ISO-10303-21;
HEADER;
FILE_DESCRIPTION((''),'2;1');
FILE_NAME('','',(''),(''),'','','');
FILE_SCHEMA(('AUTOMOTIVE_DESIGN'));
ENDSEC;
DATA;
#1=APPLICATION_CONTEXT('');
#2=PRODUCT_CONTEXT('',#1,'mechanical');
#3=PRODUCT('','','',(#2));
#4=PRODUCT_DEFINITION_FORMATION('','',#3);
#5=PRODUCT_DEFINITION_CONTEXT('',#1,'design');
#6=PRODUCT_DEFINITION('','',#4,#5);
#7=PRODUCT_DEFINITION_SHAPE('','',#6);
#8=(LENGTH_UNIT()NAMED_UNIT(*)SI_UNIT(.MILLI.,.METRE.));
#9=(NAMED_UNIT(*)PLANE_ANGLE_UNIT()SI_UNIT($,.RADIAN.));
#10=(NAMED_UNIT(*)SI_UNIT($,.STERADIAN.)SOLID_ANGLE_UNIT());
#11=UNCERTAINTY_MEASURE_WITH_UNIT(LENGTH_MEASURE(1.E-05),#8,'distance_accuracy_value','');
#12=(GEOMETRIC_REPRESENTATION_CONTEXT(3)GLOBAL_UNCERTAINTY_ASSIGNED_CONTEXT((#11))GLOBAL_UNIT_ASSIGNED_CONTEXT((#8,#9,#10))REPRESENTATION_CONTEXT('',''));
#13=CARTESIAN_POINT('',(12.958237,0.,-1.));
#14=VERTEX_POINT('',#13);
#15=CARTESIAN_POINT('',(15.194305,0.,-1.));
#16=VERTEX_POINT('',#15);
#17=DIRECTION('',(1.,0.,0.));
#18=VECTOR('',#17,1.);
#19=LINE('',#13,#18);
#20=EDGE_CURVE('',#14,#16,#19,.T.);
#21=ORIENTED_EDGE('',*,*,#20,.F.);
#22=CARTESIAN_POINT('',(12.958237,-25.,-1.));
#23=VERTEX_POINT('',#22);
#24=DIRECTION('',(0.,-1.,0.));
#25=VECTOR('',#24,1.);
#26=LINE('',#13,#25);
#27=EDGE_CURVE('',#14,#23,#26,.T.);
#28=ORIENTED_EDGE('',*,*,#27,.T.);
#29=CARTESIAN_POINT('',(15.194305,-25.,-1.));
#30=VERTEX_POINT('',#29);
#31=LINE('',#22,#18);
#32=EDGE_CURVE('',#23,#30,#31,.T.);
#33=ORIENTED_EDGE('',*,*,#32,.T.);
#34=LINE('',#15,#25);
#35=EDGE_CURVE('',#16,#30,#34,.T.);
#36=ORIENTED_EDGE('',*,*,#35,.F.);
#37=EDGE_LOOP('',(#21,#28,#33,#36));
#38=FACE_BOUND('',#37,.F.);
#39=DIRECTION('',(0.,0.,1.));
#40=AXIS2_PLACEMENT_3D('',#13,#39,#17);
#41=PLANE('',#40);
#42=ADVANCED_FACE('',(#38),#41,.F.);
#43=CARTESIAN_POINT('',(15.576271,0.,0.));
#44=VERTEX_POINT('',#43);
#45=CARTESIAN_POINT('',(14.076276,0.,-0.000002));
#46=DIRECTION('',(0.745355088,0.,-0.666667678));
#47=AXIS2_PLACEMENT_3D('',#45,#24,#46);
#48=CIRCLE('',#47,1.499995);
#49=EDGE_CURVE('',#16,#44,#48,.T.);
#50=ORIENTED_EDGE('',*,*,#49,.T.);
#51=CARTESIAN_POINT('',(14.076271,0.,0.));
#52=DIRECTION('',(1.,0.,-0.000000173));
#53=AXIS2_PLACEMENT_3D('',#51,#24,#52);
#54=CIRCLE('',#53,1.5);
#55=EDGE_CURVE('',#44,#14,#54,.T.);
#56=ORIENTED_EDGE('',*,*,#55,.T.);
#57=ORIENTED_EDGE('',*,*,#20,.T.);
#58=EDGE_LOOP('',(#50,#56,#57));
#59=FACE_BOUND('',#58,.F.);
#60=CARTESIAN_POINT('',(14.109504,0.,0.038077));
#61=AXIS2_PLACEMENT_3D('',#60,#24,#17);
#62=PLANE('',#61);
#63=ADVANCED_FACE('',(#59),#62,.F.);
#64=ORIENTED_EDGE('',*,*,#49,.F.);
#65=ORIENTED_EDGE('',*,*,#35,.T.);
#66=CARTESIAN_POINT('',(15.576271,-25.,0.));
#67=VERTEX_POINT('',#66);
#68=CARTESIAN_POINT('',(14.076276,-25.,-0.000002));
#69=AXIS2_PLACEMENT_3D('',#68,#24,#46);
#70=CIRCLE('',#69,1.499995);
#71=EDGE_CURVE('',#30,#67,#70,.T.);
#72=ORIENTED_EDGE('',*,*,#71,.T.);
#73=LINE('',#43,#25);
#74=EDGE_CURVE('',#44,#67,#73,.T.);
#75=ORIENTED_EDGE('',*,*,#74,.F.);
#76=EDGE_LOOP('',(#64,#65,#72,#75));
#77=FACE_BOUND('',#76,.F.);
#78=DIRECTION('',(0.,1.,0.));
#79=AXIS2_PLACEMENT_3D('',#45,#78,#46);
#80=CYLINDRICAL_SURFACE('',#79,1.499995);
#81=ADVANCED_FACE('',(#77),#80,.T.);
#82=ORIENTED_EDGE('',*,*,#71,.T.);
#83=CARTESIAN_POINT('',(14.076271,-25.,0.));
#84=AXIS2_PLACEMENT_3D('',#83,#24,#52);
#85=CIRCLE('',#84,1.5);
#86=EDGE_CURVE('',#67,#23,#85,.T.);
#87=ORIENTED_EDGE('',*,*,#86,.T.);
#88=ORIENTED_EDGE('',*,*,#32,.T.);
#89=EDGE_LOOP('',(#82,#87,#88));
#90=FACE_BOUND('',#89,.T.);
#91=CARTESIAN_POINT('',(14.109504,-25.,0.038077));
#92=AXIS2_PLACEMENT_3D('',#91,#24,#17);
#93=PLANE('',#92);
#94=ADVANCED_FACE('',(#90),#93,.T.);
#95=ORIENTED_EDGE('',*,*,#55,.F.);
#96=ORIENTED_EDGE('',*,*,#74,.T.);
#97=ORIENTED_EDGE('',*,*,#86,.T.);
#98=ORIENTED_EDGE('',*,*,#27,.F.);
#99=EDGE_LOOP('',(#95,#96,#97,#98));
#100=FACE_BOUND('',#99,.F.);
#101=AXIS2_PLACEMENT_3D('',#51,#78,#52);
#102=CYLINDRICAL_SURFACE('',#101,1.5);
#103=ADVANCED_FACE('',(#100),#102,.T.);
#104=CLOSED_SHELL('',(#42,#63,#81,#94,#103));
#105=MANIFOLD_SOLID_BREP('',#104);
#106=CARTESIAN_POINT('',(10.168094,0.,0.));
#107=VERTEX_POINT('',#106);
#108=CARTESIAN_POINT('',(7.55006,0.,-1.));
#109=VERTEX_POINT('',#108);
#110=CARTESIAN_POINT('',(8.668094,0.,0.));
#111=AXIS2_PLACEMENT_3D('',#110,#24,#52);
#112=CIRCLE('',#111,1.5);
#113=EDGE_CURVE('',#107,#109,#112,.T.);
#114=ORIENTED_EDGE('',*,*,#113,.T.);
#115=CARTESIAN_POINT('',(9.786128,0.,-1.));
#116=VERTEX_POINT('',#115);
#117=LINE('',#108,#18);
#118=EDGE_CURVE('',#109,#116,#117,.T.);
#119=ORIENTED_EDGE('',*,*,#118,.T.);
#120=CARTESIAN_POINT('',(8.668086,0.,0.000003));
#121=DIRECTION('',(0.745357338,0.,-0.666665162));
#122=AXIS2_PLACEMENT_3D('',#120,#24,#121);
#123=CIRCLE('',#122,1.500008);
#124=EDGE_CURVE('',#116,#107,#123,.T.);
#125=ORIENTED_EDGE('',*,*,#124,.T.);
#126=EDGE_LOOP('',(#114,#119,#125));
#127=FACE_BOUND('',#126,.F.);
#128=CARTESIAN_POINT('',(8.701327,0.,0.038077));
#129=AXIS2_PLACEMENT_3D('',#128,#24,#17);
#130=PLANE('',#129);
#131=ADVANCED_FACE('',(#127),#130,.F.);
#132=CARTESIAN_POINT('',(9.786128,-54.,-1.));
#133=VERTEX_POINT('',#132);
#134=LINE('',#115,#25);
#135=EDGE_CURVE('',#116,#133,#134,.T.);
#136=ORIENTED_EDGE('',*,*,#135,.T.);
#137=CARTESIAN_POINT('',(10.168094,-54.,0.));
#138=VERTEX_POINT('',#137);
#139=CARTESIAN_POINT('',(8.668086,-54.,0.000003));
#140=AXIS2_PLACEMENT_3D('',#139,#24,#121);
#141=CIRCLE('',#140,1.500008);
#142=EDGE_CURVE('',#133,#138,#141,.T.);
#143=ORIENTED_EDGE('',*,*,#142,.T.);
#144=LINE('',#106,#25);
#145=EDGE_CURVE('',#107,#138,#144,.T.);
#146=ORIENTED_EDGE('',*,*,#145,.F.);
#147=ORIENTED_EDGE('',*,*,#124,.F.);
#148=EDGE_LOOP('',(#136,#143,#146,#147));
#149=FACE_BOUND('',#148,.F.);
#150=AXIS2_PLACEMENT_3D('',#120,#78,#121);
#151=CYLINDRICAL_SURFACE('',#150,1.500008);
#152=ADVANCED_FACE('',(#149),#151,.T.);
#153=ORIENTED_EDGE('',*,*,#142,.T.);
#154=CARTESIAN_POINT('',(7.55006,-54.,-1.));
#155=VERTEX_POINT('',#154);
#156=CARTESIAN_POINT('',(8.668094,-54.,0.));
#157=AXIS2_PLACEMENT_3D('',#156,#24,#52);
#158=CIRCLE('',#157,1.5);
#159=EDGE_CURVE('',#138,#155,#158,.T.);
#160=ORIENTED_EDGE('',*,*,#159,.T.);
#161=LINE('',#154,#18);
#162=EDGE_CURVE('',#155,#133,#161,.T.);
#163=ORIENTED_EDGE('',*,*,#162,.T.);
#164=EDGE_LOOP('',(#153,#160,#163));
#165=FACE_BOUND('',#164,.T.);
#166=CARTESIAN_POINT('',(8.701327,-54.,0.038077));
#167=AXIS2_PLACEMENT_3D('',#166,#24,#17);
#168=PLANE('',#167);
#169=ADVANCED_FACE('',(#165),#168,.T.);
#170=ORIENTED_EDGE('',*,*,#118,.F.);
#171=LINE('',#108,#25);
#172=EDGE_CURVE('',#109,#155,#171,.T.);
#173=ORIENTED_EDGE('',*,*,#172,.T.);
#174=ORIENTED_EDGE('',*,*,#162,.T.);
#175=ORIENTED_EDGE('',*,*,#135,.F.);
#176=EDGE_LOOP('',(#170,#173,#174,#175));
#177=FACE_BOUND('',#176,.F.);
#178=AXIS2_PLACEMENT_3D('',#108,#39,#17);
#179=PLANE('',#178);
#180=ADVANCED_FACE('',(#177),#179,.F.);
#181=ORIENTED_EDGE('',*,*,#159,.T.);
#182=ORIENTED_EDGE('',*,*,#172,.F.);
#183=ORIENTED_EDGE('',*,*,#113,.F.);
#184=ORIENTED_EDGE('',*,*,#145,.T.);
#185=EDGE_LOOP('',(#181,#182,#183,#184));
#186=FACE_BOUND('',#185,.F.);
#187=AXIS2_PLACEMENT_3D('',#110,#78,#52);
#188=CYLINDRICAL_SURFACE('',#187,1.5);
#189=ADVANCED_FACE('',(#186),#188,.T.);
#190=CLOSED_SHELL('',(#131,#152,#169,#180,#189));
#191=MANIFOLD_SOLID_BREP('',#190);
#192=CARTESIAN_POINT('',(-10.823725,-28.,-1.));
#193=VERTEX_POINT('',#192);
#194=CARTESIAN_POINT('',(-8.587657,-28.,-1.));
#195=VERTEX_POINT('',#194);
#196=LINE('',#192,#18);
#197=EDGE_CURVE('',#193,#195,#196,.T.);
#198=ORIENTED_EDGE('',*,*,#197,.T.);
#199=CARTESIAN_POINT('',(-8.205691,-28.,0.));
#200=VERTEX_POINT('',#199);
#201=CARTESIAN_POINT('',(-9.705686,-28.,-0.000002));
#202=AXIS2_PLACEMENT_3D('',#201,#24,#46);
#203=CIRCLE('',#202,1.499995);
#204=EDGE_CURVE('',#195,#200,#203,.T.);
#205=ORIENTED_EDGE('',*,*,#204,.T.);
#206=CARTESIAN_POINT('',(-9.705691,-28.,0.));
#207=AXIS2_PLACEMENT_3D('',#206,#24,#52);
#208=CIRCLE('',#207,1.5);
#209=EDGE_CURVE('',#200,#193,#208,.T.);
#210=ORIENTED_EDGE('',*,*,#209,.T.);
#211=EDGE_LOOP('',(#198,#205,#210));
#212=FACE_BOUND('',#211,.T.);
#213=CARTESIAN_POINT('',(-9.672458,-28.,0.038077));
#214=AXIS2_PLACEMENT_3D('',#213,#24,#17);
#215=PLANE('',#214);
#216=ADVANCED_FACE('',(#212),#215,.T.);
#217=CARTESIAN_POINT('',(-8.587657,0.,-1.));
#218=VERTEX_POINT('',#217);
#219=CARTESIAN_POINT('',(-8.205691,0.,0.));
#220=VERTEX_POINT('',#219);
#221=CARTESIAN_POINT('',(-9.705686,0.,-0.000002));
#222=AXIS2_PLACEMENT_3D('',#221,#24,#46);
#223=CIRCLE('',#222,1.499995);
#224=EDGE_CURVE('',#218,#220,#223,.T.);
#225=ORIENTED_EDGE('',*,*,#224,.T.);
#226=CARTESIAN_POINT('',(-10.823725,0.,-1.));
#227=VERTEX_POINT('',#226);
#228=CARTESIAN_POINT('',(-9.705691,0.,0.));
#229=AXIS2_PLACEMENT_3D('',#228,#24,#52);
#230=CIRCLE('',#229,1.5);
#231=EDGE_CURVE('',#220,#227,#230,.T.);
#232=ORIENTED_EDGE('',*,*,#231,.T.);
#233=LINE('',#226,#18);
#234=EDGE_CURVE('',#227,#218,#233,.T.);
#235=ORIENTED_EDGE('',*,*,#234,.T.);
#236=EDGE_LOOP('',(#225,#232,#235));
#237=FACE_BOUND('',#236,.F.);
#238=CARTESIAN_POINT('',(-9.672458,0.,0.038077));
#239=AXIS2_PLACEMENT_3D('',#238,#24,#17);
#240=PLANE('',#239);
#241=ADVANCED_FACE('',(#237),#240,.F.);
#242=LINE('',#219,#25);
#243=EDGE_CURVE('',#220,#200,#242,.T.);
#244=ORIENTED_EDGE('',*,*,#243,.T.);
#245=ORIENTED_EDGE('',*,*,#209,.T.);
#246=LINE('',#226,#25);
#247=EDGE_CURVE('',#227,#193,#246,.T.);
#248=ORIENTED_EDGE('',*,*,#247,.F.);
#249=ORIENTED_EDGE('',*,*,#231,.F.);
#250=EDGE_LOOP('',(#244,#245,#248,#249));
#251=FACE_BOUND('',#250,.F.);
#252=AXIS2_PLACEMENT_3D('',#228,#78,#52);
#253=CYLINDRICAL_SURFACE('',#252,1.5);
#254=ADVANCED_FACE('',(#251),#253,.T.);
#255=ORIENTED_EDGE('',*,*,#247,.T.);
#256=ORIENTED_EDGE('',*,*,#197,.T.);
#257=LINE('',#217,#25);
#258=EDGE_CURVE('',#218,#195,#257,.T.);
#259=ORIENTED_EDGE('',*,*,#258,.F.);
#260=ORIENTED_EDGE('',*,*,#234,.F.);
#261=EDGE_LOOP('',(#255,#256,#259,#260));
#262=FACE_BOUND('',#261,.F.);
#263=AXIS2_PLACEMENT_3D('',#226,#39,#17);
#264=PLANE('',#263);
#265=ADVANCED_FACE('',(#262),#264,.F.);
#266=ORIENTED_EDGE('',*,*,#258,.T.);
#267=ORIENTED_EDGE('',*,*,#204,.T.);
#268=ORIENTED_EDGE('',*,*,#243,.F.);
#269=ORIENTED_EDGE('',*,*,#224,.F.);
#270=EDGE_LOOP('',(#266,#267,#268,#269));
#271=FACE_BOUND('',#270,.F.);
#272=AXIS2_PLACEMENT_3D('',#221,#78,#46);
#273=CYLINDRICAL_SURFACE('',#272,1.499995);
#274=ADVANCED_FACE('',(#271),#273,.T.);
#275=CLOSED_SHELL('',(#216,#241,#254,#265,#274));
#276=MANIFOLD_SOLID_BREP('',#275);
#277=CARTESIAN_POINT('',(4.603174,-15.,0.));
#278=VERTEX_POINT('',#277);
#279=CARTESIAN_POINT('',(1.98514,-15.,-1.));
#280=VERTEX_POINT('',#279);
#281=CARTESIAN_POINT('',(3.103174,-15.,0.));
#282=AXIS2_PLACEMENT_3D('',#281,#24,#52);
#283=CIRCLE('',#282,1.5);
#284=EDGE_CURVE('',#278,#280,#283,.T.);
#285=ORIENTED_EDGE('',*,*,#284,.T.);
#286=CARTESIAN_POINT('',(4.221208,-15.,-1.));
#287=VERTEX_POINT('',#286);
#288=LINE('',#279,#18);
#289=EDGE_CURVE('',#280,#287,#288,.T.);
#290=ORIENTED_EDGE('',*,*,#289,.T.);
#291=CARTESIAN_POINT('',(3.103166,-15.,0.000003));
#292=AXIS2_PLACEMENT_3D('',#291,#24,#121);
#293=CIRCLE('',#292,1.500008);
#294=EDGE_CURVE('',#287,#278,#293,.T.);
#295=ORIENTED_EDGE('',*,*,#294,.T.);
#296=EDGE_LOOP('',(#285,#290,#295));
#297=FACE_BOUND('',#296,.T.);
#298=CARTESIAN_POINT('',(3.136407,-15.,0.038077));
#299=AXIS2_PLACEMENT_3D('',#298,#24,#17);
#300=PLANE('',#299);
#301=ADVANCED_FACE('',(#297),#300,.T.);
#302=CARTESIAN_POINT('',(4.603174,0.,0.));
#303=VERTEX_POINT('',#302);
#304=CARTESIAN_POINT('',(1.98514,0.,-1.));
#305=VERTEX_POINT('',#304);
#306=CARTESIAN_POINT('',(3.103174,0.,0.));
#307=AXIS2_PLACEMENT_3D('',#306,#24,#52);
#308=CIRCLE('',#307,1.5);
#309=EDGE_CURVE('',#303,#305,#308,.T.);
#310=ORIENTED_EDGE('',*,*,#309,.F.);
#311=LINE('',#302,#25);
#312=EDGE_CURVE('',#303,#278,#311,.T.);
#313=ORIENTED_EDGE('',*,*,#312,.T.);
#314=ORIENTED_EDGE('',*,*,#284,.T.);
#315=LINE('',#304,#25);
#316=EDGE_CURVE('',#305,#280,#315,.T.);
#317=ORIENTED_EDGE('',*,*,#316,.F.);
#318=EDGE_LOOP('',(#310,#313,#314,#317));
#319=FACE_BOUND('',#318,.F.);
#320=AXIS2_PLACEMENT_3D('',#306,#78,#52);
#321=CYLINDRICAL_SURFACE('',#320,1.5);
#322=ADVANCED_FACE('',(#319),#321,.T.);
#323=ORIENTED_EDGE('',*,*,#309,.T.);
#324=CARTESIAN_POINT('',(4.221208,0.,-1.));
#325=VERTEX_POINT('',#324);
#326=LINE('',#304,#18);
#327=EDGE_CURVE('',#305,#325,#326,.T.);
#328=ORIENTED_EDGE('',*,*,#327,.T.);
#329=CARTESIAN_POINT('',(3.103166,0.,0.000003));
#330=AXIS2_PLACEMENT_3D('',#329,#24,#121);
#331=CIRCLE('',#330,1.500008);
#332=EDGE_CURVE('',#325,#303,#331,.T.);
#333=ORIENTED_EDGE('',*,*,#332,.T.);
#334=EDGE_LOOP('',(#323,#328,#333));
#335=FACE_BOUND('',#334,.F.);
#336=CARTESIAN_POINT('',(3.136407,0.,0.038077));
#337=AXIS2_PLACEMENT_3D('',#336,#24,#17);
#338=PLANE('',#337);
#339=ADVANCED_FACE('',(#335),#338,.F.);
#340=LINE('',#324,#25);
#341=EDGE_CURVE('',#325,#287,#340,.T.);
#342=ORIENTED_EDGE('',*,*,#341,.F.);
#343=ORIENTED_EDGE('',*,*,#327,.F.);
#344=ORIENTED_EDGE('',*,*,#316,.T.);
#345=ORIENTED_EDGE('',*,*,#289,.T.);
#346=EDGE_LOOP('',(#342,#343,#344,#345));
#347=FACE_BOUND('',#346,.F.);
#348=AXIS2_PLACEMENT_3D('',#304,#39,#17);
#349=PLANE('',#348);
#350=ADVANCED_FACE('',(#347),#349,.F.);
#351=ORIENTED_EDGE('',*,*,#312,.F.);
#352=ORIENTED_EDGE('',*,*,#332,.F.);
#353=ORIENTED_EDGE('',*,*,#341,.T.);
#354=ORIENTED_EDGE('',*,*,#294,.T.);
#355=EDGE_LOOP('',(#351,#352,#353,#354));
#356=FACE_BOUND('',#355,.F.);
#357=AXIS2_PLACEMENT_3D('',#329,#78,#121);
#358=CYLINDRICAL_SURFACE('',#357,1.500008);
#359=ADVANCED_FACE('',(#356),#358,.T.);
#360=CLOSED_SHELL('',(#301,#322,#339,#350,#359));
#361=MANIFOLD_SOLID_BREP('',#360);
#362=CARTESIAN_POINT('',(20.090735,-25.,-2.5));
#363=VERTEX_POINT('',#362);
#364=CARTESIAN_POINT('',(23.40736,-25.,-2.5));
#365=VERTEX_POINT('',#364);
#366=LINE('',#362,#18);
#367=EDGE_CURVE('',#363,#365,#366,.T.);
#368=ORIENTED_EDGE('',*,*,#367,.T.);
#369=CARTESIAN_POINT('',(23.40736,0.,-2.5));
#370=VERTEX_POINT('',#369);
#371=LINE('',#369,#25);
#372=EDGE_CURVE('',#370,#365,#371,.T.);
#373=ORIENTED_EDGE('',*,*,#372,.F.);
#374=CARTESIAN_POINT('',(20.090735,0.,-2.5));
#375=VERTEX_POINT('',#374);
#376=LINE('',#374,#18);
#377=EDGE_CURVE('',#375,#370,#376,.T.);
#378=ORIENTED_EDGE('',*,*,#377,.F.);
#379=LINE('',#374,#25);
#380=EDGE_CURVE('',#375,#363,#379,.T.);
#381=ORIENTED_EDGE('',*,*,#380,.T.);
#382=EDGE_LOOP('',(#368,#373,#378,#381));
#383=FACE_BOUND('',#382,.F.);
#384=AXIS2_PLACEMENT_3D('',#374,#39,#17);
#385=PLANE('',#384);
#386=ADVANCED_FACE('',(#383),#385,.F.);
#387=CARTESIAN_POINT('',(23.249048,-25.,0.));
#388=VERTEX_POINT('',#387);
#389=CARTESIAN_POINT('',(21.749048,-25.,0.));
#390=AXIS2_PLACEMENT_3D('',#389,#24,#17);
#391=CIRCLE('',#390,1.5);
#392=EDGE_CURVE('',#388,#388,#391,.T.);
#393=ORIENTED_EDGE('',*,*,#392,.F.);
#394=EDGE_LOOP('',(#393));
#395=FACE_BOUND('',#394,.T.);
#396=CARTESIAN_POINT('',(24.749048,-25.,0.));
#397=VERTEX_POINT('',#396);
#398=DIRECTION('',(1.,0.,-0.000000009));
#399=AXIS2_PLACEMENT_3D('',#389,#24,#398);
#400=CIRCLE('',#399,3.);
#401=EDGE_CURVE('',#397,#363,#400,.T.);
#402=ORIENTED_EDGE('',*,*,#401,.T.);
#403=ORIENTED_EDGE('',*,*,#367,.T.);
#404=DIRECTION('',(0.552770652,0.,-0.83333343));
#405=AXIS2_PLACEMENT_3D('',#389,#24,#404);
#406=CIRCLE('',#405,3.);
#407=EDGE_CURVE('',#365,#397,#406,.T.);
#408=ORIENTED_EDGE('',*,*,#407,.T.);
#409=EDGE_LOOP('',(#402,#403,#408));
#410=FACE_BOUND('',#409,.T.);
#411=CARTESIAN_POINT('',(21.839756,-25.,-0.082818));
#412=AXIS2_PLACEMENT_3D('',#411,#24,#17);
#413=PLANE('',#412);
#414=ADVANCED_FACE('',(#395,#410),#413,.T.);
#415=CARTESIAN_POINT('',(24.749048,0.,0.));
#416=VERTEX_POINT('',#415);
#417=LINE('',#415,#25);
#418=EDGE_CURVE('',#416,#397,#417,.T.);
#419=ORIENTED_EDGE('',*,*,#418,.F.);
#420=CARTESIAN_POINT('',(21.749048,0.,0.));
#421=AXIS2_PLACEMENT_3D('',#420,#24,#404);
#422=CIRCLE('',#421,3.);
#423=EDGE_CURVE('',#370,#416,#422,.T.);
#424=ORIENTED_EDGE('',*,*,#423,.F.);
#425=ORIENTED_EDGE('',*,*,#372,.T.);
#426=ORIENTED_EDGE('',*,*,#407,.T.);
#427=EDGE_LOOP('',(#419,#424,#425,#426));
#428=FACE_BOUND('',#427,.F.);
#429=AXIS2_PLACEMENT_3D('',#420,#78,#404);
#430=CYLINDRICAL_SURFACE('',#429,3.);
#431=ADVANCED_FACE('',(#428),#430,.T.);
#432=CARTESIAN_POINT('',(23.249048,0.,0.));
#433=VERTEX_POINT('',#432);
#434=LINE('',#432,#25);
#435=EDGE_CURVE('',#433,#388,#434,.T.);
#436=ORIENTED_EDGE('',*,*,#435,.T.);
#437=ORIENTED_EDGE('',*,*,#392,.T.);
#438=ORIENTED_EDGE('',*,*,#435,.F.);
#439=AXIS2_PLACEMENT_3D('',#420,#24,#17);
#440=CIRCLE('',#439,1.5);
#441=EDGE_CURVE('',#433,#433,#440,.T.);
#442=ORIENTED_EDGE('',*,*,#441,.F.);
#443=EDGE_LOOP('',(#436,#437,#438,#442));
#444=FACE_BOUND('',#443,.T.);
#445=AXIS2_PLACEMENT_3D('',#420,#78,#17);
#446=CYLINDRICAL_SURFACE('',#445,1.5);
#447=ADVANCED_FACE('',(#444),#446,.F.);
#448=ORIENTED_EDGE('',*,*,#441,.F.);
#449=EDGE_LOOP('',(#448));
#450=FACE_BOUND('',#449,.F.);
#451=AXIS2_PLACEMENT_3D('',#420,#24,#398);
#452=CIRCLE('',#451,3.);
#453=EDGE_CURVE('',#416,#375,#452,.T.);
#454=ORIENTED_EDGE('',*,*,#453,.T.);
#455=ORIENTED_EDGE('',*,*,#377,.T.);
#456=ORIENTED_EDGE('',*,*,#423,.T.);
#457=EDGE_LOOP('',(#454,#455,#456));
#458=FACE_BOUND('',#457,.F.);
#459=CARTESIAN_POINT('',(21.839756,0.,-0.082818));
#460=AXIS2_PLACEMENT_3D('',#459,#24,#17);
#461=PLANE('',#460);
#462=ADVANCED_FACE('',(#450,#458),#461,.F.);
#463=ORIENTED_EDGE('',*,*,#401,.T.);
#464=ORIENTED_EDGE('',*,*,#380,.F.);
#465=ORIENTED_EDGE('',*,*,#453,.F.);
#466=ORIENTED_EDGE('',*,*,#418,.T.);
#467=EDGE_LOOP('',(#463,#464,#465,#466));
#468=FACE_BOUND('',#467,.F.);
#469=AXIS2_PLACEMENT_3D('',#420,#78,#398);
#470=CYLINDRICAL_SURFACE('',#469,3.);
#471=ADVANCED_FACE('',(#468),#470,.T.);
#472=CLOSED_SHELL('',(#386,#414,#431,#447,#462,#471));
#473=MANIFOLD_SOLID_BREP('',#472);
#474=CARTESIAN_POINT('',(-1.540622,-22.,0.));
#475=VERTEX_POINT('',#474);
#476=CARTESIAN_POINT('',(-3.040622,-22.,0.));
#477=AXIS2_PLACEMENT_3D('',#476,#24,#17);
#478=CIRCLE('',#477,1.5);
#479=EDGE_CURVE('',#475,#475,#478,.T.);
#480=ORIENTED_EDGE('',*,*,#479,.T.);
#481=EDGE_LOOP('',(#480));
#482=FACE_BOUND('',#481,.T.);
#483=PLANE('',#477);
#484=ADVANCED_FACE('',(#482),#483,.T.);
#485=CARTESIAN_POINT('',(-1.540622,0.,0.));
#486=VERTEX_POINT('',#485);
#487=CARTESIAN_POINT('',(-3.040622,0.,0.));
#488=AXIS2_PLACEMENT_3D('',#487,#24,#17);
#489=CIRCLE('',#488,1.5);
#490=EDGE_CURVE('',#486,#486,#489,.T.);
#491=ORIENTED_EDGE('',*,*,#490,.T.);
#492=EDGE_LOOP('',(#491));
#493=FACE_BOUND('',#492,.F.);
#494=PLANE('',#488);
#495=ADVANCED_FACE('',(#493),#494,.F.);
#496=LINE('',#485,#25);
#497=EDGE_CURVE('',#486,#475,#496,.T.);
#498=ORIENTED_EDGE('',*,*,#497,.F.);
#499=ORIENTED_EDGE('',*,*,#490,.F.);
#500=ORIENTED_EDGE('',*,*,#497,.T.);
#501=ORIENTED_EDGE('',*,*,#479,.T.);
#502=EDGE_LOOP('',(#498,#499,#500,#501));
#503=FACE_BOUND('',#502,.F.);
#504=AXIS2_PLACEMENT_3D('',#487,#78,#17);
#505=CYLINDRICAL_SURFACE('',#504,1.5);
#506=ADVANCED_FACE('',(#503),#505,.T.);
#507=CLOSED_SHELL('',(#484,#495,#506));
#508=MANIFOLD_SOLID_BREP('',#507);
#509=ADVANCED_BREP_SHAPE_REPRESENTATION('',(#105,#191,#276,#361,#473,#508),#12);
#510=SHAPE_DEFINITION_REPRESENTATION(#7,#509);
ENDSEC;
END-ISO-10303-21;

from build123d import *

# Parameters (mm, degrees)
F1_DEPTH = 28
F0_R     = 1.5
F2_DEPTH = 22
F3_DEPTH = 15
F4_DEPTH = 54
F5_DEPTH = 25
F6_DEPTH = 25


with BuildPart() as f1:
    # F0 (on Front) → F1 (new body)
    with BuildSketch(Plane.XZ):
        with BuildLine():
            ThreePointArc((-8.587657, -1), (-8.304432, -0.535233), (-8.205691, 0))
            ThreePointArc((-8.205691, 0), (-10.240924, 1.401259), (-10.823725, -1))
            Line((-10.823725, -1), (-8.587657, -1))
        make_face()
    extrude(amount=F1_DEPTH)


with BuildPart() as f2:
    # F0 (on Front) → F2 (new body)
    with BuildSketch(Plane.XZ):
        with Locations((-3.040622, 0)):
            Circle(F0_R)
    extrude(amount=F2_DEPTH)


with BuildPart() as f3:
    # F0 (on Front) → F3 (new body)
    with BuildSketch(Plane.XZ):
        with BuildLine():
            ThreePointArc((4.603174, 0), (2.567941, 1.401259), (1.98514, -1))
            Line((1.98514, -1), (4.221208, -1))
            ThreePointArc((4.221208, -1), (4.504432, -0.535233), (4.603174, 0))
        make_face()
    extrude(amount=F3_DEPTH)


with BuildPart() as f4:
    # F0 (on Front) → F4 (new body)
    with BuildSketch(Plane.XZ):
        with BuildLine():
            ThreePointArc((10.168094, 0), (8.132861, 1.401259), (7.55006, -1))
            Line((7.55006, -1), (9.786128, -1))
            ThreePointArc((9.786128, -1), (10.069352, -0.535233), (10.168094, 0))
        make_face()
    extrude(amount=F4_DEPTH)


with BuildPart() as f5:
    # F0 (on Front) → F5 (new body)
    with BuildSketch(Plane.XZ):
        with BuildLine():
            ThreePointArc((15.194305, -1), (15.47753, -0.535233), (15.576271, 0))
            ThreePointArc((15.576271, 0), (13.541038, 1.401259), (12.958237, -1))
            Line((12.958237, -1), (15.194305, -1))
        make_face()
    extrude(amount=F5_DEPTH)


with BuildPart() as f6:
    # F0 (on Front) → F6 (new body)
    with BuildSketch(Plane.XZ):
        with BuildLine():
            ThreePointArc((23.40736, -2.5), (24.39243, -1.418637), (24.749048, 0))
            ThreePointArc((24.749048, 0), (20.33041, 2.643382), (20.090735, -2.5))
            Line((20.090735, -2.5), (23.40736, -2.5))
        make_face()
        with Locations((21.749048, 0)):
            Circle(F0_R, mode=Mode.SUBTRACT)
    extrude(amount=F6_DEPTH)


solid = Compound([f1.part, f2.part, f3.part, f4.part, f5.part, f6.part])
